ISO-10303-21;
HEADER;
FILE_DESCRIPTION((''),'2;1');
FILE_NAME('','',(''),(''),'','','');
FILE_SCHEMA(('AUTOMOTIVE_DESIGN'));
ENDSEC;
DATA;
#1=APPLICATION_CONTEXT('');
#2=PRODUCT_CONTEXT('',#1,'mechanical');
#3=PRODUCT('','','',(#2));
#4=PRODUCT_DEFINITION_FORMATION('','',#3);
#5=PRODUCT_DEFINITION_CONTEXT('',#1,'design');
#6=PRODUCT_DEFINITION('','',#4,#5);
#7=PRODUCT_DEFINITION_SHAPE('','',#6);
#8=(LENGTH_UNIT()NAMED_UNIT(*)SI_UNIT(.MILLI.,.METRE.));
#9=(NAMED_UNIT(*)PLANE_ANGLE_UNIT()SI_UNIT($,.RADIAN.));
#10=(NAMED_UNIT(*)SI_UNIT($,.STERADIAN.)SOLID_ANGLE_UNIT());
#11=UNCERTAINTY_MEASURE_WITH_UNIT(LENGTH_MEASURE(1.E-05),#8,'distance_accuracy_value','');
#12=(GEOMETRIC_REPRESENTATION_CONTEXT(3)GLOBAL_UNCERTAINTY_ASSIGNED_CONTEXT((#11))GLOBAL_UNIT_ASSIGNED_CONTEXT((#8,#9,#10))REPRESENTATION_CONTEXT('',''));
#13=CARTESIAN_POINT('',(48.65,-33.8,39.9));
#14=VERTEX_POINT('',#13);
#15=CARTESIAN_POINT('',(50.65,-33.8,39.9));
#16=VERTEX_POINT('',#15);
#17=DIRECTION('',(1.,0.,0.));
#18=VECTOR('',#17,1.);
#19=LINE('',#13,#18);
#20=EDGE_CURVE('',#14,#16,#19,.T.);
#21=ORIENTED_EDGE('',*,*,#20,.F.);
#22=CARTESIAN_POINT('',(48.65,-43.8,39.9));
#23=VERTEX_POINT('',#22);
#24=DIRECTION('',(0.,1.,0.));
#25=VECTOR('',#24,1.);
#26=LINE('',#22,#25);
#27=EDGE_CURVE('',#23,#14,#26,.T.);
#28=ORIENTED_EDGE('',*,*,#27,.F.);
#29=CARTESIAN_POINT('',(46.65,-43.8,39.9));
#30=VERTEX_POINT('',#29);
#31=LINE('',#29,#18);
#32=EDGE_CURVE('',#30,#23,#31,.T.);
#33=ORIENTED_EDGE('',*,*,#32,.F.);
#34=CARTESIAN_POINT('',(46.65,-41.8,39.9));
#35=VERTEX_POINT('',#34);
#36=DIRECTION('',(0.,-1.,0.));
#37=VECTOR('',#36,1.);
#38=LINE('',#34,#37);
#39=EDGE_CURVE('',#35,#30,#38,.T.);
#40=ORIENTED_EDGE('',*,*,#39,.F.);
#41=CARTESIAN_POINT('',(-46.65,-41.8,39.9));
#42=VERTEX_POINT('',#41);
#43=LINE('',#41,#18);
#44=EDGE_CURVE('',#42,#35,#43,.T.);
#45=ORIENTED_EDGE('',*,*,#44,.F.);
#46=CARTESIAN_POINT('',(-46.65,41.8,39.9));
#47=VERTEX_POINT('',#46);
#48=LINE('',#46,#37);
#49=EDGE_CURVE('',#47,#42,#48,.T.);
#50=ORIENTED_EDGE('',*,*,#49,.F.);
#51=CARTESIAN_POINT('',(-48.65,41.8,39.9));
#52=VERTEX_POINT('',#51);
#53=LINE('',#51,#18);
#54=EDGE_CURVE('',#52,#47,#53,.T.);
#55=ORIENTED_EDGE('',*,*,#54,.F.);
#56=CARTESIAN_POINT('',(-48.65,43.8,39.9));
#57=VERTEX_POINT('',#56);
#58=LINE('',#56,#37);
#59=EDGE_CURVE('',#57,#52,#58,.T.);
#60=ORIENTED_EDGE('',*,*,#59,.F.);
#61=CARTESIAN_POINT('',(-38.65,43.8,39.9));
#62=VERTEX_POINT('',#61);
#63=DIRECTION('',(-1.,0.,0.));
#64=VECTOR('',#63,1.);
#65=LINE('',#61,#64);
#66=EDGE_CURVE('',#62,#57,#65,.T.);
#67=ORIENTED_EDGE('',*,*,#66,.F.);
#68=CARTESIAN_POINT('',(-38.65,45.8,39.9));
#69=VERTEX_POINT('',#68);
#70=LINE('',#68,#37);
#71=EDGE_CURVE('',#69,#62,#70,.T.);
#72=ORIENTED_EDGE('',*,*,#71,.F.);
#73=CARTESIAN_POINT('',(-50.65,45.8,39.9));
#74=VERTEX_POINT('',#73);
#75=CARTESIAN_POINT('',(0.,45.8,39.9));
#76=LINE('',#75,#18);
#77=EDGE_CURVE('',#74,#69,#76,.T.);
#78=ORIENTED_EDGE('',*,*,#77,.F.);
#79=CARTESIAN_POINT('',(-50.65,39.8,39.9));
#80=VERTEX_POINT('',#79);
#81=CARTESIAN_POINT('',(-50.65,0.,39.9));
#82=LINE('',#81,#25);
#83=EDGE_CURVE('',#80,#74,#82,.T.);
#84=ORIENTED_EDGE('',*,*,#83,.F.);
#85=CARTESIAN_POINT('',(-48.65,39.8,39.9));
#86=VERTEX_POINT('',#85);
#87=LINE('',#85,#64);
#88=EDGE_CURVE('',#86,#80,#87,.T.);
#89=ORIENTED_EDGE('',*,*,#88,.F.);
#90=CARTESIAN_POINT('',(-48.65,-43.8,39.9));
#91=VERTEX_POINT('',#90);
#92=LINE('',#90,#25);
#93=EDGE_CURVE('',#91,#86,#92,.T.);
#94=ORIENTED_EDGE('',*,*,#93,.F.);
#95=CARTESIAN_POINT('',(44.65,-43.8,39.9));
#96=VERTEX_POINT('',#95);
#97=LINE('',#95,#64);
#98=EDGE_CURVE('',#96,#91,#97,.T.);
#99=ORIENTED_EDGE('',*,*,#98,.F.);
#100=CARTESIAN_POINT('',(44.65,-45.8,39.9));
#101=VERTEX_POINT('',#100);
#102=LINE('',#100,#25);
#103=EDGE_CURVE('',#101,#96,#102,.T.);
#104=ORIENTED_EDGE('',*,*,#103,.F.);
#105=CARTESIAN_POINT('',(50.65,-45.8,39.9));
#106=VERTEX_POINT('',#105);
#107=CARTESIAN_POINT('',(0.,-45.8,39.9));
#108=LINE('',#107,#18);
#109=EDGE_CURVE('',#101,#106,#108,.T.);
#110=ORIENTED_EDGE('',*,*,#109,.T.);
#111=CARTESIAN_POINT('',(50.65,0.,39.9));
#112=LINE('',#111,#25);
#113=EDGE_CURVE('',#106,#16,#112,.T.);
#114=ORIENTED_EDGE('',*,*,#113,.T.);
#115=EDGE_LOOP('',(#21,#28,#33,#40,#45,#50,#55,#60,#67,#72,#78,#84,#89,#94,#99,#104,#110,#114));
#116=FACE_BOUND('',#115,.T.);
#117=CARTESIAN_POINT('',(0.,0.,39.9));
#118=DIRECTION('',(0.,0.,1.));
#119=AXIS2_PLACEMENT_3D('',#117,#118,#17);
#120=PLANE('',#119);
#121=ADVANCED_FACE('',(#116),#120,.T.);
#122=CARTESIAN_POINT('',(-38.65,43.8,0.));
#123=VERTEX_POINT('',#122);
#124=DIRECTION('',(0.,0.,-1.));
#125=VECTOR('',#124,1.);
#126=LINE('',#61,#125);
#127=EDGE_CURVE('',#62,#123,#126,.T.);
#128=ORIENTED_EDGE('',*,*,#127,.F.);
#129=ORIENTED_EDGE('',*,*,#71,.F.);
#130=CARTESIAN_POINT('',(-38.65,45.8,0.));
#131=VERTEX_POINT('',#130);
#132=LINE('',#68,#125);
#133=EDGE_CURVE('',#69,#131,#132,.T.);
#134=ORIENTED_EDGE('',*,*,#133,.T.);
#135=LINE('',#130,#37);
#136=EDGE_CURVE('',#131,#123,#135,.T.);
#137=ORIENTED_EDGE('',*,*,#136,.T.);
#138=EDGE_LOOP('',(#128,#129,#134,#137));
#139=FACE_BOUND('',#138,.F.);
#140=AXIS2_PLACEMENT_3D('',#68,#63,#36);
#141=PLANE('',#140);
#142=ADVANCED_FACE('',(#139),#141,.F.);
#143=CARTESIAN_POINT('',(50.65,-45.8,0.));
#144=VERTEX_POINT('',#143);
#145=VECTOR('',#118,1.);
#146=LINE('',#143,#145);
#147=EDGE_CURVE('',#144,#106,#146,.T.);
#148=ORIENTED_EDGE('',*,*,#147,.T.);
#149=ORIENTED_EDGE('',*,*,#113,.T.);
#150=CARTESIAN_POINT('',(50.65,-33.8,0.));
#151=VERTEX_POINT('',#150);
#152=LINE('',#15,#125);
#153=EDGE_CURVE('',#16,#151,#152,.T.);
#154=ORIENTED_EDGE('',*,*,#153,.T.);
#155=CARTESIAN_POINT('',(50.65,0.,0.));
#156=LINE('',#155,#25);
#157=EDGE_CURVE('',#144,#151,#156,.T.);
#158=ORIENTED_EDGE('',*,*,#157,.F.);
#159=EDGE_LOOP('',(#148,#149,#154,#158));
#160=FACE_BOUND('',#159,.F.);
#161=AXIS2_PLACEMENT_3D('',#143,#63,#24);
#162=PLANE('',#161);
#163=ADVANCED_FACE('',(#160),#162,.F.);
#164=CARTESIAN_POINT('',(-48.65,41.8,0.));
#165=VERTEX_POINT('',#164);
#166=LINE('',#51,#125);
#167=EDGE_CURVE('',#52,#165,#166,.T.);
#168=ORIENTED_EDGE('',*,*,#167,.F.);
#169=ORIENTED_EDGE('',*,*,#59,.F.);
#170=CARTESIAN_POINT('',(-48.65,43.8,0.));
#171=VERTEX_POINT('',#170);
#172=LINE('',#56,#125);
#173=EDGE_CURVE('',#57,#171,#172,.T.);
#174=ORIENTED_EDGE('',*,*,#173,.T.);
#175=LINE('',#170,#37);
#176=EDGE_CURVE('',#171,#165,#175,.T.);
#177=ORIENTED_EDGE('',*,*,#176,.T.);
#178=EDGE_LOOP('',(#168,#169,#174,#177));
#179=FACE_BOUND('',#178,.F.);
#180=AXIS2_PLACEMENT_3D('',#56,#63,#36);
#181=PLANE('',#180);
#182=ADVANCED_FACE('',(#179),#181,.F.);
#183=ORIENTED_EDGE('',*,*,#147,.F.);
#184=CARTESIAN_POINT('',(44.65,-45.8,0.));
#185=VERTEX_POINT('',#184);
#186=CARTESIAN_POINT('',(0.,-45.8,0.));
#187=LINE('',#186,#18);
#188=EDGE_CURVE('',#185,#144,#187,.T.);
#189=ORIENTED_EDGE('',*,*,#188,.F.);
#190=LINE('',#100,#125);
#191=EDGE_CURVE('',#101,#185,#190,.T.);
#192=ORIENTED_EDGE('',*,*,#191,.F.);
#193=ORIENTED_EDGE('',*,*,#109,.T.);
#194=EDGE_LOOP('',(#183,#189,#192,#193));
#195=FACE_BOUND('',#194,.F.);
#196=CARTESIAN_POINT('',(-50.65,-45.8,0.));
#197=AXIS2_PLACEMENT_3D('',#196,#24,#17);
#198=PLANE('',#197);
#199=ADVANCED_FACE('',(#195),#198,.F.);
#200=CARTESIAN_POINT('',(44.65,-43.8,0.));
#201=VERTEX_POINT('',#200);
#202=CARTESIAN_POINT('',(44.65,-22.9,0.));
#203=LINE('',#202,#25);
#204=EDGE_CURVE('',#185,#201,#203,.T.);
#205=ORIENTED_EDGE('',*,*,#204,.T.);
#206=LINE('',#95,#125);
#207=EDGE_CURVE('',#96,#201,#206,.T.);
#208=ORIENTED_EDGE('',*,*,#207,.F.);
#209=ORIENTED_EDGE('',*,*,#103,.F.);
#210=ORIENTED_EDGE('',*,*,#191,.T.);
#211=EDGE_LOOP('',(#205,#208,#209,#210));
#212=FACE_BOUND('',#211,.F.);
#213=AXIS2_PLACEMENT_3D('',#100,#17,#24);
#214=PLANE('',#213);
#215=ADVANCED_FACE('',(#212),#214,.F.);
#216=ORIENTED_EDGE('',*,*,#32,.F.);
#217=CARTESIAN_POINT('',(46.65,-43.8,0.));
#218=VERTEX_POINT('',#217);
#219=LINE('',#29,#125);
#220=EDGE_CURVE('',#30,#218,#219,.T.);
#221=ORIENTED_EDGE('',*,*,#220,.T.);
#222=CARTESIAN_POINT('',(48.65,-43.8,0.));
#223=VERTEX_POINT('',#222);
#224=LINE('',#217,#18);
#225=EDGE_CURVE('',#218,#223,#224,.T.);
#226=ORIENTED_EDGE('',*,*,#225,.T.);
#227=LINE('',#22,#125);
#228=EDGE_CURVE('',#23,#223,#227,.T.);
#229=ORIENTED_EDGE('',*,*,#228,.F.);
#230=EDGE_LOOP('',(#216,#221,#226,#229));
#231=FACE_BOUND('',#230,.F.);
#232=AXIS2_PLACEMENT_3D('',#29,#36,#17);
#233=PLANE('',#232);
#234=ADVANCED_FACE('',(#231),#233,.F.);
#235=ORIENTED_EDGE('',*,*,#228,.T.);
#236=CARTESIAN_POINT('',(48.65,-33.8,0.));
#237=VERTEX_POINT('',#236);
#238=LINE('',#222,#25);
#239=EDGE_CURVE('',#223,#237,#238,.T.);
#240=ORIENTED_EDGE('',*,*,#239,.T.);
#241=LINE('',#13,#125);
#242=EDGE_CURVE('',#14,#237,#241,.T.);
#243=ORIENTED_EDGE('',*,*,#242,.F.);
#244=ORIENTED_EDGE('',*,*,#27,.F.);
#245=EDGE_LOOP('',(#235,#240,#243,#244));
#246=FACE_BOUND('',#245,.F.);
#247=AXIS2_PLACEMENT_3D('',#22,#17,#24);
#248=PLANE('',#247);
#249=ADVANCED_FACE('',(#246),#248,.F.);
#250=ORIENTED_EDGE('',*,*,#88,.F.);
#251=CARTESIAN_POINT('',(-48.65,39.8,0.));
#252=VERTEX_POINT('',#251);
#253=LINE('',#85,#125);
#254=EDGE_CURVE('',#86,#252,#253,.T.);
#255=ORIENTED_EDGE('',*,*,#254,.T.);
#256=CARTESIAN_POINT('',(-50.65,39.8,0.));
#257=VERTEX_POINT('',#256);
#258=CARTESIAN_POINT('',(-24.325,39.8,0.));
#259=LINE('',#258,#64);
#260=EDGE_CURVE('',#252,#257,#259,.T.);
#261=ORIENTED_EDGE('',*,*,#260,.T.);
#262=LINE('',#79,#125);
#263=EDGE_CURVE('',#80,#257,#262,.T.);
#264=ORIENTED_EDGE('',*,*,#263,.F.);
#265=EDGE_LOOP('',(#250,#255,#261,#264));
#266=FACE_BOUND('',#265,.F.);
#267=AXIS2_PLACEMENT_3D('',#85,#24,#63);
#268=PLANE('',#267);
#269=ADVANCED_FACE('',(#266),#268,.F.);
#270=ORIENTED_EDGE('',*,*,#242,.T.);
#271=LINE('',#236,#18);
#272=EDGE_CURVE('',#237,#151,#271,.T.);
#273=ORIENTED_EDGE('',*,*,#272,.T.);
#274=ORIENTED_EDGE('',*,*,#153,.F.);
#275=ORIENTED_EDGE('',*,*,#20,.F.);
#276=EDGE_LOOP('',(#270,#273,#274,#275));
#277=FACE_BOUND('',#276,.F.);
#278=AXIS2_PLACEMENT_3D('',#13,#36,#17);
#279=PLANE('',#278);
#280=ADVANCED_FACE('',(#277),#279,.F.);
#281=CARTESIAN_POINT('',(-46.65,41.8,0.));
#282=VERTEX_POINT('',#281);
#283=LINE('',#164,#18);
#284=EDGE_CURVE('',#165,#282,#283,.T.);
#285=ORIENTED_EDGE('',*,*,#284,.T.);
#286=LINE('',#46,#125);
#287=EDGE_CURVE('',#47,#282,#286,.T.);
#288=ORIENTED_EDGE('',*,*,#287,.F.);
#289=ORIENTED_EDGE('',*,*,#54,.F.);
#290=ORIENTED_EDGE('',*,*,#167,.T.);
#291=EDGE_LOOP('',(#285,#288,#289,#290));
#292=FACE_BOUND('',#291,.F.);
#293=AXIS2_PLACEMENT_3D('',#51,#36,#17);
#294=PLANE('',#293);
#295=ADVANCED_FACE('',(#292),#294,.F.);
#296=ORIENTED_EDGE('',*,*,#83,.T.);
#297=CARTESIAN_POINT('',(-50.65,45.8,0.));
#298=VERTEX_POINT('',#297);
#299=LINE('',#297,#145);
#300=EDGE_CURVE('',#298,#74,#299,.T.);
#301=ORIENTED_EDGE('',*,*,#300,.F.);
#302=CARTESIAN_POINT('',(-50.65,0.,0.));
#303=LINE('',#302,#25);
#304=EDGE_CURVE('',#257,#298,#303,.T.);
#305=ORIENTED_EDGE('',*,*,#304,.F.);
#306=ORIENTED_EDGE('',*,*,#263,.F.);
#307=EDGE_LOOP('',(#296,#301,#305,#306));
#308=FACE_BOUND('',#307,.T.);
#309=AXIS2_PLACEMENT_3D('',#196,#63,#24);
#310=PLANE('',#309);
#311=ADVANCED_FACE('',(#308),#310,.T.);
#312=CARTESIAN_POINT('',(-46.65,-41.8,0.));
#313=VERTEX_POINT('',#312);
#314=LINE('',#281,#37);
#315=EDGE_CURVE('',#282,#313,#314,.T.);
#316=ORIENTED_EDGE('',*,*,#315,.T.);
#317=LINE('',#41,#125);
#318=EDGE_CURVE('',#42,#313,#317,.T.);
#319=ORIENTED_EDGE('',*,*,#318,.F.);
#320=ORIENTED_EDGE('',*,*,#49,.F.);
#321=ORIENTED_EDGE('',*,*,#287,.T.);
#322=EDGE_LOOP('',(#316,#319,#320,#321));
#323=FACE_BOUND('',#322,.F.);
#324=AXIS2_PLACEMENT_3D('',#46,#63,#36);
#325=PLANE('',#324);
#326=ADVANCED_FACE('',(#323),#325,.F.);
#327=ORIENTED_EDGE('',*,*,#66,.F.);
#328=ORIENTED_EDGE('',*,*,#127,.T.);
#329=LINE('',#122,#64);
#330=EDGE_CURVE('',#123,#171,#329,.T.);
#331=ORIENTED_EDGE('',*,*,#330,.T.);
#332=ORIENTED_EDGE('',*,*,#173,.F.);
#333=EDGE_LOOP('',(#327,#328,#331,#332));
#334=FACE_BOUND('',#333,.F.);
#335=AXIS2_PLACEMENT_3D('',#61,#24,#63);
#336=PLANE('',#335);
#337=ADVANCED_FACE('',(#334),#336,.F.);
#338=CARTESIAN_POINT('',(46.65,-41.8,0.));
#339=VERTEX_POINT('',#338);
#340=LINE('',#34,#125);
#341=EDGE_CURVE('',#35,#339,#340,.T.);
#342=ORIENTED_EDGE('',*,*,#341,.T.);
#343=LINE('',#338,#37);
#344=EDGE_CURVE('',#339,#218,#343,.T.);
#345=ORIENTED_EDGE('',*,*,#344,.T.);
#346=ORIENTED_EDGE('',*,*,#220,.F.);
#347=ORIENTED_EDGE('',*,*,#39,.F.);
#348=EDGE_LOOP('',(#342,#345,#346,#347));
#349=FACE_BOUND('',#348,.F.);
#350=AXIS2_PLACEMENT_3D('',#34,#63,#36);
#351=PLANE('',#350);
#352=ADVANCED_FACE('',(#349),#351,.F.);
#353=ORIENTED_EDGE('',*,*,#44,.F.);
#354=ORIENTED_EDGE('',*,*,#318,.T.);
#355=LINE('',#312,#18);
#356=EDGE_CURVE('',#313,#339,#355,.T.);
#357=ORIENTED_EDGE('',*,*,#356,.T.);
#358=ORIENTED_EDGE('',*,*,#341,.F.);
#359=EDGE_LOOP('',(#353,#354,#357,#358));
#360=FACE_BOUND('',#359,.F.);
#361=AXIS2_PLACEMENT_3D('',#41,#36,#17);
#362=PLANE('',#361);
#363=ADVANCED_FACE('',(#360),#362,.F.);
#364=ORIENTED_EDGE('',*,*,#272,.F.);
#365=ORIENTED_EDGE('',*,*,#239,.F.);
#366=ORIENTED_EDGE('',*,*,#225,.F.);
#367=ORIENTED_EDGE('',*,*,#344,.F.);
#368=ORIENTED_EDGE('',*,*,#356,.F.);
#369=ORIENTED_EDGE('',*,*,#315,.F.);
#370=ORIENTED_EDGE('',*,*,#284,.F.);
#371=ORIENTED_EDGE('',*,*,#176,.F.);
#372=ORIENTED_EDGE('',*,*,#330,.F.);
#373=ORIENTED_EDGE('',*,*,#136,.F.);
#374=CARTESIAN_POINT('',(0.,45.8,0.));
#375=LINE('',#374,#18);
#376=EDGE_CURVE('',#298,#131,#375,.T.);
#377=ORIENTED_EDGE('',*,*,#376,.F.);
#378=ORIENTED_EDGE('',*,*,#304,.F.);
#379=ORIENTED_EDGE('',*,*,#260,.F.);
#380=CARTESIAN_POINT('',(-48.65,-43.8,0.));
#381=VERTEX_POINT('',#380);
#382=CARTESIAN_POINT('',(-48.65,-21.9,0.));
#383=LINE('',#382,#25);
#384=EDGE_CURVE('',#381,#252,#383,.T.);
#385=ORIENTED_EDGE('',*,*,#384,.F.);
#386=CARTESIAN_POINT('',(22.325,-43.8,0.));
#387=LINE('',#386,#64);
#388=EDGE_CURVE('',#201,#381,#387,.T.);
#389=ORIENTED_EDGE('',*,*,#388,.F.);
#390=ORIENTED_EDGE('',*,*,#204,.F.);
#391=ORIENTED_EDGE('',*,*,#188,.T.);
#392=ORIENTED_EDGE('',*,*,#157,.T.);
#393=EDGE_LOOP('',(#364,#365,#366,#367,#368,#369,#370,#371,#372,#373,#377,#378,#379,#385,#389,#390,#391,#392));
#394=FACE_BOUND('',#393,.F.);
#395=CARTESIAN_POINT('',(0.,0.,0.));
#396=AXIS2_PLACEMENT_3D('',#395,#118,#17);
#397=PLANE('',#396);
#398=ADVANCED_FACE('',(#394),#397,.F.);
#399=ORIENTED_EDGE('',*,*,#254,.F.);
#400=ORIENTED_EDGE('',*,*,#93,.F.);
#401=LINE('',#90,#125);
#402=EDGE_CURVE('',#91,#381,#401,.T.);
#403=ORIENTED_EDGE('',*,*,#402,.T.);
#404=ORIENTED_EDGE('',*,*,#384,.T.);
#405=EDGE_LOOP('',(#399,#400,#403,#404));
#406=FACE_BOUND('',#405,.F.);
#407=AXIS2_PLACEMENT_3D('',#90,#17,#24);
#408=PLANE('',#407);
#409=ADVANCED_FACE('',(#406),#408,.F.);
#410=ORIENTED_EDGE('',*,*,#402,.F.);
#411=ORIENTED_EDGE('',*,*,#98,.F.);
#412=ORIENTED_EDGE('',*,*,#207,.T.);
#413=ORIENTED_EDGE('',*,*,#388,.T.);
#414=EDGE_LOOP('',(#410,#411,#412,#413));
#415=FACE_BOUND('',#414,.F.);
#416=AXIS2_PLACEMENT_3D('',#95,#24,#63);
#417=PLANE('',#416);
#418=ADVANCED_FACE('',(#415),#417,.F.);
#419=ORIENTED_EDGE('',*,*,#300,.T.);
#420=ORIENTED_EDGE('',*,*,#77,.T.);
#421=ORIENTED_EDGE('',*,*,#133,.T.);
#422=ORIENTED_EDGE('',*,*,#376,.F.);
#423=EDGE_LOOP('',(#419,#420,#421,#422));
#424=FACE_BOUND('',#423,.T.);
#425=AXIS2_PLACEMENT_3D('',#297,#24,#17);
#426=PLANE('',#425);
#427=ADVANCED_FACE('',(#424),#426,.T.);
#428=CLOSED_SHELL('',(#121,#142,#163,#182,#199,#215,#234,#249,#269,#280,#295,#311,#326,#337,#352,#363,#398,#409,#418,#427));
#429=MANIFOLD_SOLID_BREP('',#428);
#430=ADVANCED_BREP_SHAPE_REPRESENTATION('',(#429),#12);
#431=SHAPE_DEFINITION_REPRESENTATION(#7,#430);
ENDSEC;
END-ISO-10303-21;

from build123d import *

# Parameters (mm, degrees)
F0_W     = 101.3
F0_H     = 91.6
F1_DEPTH = 39.9
F3_DEPTH = 39.9
F4_W     = 91.3
F4_H     = 81.6
F5_DEPTH = 25
F7_DEPTH = 40


with BuildPart() as f1:
    # F0 (on Top) → F1 (new body)
    with BuildSketch(Plane.XY):
        Rectangle(F0_W, F0_H)
    extrude(amount=F1_DEPTH)

    # F2 (on face) → F3 (cut)
    with BuildSketch(Plane.XY.offset(39.9)):
        Polygon((50.65, 45.8), (-38.65, 45.8), (-38.65, 43.8), (-48.65, 43.8), (-48.65, 41.8), (-46.65, 41.8), (-46.65, -41.8), (46.65, -41.8), (46.65, -43.8), (48.65, -43.8), (48.65, -33.8), (50.65, -33.8), align=None)
    extrude(amount=-F3_DEPTH, mode=Mode.SUBTRACT)

    # F4 (on face) → F5 (cut)
    with BuildSketch(Plane(origin=(0, 0, 0), x_dir=(1, 0, 0), z_dir=(0, 0, -1))):
        Rectangle(F4_W, F4_H)
    extrude(amount=-F5_DEPTH, mode=Mode.SUBTRACT)

    # F6 (on face) → F7 (cut)
    with BuildSketch(Plane.XY.offset(39.9)):
        Polygon((-48.65, 39.8), (-50.65, 39.8), (-50.65, -45.8), (44.65, -45.8), (44.65, -43.8), (-48.65, -43.8), align=None)
    extrude(amount=-F7_DEPTH, mode=Mode.SUBTRACT)


solid = f1.part
